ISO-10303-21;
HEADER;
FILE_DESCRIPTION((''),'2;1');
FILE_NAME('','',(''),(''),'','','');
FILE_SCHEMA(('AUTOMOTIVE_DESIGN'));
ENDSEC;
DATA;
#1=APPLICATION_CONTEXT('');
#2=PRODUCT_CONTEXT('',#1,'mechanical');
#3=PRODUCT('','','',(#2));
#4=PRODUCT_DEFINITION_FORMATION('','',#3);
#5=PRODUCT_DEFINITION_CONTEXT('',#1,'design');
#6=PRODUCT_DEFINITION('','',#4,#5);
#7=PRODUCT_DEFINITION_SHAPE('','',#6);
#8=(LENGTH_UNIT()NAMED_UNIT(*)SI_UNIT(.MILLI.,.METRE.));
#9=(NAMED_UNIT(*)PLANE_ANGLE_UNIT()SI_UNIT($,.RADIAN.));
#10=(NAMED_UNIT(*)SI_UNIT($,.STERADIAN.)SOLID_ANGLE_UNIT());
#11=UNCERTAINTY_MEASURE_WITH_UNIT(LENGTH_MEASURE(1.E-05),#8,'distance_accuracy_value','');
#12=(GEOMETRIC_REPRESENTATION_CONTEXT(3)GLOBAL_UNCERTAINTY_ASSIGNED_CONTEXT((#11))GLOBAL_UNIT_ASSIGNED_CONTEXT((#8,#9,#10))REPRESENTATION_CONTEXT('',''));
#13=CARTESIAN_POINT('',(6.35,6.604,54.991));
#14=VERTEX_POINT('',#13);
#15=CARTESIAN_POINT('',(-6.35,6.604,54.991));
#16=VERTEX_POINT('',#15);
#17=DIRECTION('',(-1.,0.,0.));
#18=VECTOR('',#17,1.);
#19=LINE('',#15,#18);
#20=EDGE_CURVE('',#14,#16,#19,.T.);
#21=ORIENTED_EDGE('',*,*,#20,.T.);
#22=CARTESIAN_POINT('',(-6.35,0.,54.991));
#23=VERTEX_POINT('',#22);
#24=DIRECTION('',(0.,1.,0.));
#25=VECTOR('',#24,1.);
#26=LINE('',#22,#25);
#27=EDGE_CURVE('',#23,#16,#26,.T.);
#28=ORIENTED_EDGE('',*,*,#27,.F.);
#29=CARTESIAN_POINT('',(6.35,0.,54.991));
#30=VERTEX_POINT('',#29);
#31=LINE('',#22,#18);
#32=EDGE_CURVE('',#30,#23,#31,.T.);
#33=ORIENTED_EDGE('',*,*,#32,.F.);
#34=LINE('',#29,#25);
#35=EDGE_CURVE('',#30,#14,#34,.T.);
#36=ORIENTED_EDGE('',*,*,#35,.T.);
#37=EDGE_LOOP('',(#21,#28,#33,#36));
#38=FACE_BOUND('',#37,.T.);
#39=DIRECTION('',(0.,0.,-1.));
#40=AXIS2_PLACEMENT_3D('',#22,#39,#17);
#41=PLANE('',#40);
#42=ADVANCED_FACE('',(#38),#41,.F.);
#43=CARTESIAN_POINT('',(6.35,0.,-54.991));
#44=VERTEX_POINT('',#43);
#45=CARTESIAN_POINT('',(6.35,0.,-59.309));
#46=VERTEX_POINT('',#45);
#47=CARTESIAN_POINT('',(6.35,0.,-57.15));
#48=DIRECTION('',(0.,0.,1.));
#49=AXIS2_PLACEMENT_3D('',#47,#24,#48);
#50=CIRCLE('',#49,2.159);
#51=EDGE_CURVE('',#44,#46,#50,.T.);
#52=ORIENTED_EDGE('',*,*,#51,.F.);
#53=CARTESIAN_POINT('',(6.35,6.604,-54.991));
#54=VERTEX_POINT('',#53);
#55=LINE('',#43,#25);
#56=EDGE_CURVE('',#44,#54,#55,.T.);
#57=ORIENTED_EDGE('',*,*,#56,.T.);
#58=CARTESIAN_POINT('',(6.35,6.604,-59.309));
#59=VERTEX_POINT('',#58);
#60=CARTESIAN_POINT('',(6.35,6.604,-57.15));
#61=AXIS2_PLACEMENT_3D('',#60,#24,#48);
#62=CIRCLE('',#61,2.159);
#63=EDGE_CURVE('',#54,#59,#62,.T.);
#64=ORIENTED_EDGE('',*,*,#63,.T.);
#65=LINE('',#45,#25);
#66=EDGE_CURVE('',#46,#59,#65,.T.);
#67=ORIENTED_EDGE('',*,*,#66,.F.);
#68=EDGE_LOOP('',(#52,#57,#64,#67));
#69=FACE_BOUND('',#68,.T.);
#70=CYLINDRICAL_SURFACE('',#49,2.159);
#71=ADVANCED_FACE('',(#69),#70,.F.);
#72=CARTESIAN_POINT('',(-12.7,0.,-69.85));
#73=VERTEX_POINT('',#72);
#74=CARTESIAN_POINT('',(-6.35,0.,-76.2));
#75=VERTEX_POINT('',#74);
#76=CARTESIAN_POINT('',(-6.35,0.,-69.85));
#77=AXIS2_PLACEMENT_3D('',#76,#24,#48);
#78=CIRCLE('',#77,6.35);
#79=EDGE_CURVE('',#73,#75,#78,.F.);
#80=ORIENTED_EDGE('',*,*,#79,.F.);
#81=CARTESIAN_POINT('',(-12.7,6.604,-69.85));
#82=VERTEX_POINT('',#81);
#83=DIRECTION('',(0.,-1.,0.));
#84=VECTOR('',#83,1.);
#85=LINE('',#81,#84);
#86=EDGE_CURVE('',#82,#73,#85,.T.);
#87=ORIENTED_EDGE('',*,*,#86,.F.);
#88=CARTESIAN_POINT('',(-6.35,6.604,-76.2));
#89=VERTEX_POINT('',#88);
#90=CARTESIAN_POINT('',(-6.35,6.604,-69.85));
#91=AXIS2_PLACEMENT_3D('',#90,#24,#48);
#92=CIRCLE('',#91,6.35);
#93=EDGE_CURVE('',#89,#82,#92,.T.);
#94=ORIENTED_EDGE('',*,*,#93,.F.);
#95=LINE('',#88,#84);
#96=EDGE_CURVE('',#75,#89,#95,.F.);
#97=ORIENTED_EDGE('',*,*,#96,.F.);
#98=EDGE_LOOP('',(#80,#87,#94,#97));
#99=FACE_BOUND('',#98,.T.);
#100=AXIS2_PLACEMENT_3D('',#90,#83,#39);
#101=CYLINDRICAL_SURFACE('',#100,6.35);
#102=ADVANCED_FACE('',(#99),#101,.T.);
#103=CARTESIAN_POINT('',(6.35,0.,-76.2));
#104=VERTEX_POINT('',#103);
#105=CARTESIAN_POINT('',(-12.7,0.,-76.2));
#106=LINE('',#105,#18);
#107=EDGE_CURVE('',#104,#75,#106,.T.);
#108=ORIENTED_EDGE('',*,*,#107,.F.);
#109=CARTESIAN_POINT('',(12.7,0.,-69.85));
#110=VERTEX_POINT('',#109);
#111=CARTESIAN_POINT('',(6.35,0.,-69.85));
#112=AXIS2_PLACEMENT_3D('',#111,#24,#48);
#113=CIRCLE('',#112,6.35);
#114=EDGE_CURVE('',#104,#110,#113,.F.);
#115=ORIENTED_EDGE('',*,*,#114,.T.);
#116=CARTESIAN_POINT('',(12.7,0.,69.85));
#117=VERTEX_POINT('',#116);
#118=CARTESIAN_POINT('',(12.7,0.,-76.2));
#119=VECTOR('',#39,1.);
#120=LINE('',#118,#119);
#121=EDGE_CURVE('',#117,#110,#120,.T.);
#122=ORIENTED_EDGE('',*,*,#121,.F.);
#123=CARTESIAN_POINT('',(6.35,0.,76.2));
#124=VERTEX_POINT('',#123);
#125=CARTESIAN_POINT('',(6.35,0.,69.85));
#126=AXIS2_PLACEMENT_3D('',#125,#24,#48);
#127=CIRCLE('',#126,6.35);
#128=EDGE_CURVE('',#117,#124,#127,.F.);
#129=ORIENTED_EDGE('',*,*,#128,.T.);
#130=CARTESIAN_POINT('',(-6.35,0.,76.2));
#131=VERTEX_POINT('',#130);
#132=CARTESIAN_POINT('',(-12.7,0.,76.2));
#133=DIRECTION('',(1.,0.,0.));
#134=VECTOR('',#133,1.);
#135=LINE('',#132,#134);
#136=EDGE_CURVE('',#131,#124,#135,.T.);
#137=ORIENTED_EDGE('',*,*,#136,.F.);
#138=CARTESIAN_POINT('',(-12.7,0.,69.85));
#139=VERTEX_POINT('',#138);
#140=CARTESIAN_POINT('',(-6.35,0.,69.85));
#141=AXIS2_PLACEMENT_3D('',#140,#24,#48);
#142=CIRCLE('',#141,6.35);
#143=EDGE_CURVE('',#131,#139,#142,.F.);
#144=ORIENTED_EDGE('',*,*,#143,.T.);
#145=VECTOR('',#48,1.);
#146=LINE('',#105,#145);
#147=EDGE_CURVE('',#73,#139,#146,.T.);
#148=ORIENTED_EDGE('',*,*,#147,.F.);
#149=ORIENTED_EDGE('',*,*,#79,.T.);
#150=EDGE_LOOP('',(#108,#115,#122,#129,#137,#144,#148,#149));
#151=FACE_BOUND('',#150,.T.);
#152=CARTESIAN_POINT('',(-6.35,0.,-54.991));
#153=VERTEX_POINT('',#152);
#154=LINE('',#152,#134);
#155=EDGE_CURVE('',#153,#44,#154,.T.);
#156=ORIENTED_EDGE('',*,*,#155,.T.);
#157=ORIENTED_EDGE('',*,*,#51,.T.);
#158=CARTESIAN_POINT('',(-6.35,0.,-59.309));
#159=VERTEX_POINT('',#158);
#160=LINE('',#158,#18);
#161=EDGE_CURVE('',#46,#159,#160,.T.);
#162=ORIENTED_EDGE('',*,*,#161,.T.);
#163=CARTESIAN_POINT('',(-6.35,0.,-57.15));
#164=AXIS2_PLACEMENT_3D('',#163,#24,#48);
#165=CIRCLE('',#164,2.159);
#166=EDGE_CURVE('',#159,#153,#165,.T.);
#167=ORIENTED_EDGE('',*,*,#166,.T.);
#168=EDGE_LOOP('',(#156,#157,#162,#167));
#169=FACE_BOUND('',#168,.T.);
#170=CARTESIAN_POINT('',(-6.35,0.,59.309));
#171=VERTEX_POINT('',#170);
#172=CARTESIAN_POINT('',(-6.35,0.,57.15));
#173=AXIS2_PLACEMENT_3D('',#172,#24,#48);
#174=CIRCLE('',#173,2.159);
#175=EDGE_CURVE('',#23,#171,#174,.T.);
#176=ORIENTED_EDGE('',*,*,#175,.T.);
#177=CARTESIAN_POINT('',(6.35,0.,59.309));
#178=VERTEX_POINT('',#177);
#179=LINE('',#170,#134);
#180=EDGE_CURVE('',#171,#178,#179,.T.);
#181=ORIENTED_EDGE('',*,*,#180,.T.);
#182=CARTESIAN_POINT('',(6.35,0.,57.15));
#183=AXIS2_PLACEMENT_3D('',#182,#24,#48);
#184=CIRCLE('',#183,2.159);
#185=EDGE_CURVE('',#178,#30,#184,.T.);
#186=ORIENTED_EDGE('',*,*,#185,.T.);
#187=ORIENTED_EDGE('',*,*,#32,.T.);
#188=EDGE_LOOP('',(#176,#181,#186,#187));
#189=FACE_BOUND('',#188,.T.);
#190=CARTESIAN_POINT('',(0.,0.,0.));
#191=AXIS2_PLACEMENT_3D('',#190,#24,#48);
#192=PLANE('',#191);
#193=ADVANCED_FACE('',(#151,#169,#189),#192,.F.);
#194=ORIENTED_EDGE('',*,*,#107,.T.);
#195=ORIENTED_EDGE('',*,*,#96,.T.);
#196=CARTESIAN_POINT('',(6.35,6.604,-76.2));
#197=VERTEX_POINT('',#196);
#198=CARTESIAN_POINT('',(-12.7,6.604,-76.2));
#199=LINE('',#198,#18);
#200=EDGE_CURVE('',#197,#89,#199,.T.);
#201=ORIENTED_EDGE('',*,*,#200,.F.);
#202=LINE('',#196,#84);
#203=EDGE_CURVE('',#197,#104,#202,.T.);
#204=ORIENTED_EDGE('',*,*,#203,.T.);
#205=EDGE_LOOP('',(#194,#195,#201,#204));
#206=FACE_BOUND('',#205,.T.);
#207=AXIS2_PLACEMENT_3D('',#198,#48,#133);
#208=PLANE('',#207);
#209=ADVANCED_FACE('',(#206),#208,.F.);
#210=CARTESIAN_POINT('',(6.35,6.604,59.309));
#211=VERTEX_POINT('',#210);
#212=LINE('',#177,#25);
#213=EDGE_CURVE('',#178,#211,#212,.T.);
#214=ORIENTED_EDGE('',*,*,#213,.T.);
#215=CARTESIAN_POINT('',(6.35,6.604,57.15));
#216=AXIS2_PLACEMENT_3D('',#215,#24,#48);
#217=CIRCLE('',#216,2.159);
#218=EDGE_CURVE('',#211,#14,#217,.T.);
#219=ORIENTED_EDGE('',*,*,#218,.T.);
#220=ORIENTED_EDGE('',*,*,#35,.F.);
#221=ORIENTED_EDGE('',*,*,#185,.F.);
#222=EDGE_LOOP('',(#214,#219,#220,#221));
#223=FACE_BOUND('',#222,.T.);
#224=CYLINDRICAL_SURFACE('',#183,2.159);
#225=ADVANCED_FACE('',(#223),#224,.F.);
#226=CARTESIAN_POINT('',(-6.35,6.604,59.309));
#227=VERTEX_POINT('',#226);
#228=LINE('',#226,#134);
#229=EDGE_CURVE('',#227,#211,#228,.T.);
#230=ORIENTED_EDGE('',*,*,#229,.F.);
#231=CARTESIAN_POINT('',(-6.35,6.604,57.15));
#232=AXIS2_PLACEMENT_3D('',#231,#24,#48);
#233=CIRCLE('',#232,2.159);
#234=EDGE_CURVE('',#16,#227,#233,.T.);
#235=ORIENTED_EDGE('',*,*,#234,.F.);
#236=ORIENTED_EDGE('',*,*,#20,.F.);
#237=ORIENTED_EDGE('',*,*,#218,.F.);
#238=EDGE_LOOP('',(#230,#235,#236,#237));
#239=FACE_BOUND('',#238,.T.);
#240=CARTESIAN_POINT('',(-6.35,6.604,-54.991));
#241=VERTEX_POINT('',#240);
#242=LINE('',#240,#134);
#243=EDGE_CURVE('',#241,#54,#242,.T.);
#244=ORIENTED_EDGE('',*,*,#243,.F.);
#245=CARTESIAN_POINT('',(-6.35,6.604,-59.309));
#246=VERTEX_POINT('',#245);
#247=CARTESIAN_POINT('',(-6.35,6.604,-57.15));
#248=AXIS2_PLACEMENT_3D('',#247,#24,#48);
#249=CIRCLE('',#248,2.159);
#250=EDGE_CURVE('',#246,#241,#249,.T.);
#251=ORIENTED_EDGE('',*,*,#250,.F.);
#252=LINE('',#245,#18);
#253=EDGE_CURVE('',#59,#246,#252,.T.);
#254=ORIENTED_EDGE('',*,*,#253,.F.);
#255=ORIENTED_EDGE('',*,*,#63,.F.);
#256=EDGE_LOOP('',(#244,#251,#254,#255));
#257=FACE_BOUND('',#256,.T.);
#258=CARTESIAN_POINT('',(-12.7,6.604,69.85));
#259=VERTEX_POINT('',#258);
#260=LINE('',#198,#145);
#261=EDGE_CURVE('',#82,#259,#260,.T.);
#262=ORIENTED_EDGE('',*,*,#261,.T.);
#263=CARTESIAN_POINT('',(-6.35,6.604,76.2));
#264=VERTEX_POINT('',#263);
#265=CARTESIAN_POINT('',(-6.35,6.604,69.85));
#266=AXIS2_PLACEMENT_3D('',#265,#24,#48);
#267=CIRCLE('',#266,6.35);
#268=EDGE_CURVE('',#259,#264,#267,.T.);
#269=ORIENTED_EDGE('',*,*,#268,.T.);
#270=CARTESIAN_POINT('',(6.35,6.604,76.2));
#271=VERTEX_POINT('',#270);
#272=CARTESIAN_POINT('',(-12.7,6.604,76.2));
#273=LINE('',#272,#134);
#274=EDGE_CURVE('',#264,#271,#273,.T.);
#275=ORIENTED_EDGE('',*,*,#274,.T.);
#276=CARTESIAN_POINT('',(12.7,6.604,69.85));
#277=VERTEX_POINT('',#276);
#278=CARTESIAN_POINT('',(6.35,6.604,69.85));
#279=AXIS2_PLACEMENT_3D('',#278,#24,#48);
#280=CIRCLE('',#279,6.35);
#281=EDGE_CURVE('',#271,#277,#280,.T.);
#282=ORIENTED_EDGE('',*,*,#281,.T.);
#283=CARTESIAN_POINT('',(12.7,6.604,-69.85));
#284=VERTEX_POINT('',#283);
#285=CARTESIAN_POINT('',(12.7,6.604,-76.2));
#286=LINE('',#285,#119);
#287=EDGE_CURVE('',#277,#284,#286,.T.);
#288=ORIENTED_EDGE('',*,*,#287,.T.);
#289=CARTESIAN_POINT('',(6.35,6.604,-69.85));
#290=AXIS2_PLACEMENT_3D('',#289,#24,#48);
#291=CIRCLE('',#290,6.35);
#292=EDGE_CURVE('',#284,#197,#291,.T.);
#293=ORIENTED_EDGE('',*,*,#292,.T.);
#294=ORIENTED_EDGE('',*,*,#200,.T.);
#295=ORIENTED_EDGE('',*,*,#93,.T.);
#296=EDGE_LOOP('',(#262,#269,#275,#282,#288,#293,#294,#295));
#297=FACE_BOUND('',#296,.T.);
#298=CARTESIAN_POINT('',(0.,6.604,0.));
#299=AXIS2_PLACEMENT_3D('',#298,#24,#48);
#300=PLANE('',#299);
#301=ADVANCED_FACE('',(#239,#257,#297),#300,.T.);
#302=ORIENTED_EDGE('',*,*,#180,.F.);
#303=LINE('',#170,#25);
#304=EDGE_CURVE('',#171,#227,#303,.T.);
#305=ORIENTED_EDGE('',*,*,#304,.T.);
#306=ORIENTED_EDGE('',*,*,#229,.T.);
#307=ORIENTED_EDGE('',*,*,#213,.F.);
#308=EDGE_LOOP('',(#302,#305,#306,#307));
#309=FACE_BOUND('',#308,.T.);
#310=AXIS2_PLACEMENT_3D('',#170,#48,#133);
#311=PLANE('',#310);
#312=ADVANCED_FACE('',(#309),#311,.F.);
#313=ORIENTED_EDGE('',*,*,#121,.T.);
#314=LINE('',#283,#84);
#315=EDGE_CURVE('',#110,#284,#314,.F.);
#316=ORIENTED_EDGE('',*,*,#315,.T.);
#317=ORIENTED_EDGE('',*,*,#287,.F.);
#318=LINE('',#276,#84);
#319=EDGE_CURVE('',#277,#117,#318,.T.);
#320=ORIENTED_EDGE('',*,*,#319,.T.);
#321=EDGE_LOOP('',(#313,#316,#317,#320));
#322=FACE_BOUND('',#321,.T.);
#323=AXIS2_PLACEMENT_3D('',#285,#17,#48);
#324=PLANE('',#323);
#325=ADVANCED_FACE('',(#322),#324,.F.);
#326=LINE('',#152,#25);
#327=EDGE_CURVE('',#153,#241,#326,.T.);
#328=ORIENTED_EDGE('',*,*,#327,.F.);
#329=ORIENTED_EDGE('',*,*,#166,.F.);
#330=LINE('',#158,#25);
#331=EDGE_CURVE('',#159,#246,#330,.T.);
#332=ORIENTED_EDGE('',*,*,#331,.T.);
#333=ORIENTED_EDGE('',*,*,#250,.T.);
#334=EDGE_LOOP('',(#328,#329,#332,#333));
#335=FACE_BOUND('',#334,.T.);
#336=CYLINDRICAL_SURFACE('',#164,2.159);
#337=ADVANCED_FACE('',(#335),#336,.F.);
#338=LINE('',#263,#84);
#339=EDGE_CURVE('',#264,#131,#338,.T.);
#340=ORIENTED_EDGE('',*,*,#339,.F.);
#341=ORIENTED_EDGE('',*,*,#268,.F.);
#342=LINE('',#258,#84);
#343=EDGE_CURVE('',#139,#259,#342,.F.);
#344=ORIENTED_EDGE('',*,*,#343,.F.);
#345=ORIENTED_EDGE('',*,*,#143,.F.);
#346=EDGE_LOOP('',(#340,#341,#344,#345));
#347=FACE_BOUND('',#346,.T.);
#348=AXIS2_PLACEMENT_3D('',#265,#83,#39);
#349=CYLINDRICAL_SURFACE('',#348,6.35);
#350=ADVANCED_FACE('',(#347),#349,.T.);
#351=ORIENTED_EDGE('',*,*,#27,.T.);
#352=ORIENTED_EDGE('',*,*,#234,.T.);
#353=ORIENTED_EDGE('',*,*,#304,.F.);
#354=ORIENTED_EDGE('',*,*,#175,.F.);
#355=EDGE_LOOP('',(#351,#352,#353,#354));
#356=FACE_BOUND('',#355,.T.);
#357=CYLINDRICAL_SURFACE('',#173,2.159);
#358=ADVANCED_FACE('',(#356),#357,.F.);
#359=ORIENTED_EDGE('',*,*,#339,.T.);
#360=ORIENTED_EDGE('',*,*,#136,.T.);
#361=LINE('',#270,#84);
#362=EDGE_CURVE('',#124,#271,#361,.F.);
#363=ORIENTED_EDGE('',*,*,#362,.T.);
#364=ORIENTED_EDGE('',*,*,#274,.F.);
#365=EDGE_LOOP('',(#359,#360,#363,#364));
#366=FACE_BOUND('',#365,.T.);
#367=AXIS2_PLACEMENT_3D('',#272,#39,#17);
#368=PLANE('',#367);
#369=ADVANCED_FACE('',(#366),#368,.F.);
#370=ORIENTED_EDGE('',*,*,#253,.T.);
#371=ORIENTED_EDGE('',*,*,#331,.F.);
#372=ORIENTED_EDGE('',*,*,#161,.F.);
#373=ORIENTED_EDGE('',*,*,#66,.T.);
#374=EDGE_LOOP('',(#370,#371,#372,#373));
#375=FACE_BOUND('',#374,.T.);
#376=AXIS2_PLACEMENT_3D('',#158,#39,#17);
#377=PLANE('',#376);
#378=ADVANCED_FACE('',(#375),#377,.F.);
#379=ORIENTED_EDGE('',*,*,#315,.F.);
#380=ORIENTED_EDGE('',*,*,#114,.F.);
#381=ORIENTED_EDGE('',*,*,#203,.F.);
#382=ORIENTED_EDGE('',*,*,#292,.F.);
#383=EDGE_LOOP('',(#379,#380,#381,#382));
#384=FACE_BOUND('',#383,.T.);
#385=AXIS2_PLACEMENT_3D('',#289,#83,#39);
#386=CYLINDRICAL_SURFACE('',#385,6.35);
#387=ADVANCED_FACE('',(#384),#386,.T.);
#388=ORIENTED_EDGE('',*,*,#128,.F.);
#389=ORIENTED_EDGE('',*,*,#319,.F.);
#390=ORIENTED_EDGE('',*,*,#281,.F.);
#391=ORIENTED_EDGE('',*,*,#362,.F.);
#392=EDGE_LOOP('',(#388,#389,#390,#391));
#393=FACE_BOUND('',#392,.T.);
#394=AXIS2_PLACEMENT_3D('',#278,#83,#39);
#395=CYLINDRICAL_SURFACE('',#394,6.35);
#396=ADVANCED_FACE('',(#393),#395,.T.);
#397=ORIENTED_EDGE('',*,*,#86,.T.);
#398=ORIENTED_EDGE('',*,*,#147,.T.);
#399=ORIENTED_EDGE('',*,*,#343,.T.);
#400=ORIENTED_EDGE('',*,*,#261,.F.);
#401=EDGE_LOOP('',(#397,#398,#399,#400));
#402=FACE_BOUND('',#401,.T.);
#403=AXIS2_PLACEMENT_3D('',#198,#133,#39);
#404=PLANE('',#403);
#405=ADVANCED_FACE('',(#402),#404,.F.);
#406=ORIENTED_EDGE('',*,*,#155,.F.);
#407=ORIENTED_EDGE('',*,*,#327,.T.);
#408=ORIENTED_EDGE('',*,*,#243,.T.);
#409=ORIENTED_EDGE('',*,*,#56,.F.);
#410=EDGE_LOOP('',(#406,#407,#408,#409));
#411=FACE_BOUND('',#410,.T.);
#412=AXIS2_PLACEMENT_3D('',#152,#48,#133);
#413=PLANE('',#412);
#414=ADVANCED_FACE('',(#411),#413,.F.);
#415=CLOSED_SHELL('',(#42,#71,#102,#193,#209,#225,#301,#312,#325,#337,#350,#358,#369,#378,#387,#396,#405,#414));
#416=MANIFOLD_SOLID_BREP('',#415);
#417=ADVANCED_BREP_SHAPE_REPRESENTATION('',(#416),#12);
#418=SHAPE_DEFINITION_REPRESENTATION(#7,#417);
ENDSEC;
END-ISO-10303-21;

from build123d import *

# Parameters (mm, degrees)
SKETCH1_W           = 25.4
SKETCH1_H           = 152.4
BOSS_EXTRUDE1_DEPTH = 6.604
CUT_EXTRUDE1_DEPTH  = 7.604
FILLET1_R           = 6.35


with BuildPart() as part:
    # Sketch1 → Boss-Extrude1 (new body)
    with BuildSketch(Plane(origin=(0, 0, 0), x_dir=(1, 0, 0), z_dir=(0, 1, 0))):
        Rectangle(SKETCH1_W, SKETCH1_H)
    extrude(amount=BOSS_EXTRUDE1_DEPTH)

    # Sketch2 → Cut-Extrude1 (cut, through all)
    with BuildSketch(Plane(origin=(0, 6.604, 0), x_dir=(1, 0, 0), z_dir=(0, 1, 0))):
        with BuildLine():
            Line((-6.35, 59.309), (6.35, 59.309))
            ThreePointArc((6.35, 59.309), (8.509, 57.15), (6.35, 54.991))
            Line((6.35, 54.991), (-6.35, 54.991))
            ThreePointArc((-6.35, 54.991), (-8.509, 57.15), (-6.35, 59.309))
        make_face()
        with BuildLine():
            Line((-6.35, -54.991), (6.35, -54.991))
            ThreePointArc((6.35, -54.991), (8.509, -57.15), (6.35, -59.309))
            Line((6.35, -59.309), (-6.35, -59.309))
            ThreePointArc((-6.35, -59.309), (-8.509, -57.15), (-6.35, -54.991))
        make_face()
    extrude(amount=-CUT_EXTRUDE1_DEPTH, mode=Mode.SUBTRACT)

    # Fillet1
    fillet1_edges = [part.edges().sort_by_distance(p)[0] for p in [
        (-12.7, 3.302, -76.2),
        (12.7, 3.302, -76.2),
        (12.7, 3.302, 76.2),
        (-12.7, 3.302, 76.2),
    ]]
    fillet(fillet1_edges, radius=FILLET1_R)


solid = part.part
